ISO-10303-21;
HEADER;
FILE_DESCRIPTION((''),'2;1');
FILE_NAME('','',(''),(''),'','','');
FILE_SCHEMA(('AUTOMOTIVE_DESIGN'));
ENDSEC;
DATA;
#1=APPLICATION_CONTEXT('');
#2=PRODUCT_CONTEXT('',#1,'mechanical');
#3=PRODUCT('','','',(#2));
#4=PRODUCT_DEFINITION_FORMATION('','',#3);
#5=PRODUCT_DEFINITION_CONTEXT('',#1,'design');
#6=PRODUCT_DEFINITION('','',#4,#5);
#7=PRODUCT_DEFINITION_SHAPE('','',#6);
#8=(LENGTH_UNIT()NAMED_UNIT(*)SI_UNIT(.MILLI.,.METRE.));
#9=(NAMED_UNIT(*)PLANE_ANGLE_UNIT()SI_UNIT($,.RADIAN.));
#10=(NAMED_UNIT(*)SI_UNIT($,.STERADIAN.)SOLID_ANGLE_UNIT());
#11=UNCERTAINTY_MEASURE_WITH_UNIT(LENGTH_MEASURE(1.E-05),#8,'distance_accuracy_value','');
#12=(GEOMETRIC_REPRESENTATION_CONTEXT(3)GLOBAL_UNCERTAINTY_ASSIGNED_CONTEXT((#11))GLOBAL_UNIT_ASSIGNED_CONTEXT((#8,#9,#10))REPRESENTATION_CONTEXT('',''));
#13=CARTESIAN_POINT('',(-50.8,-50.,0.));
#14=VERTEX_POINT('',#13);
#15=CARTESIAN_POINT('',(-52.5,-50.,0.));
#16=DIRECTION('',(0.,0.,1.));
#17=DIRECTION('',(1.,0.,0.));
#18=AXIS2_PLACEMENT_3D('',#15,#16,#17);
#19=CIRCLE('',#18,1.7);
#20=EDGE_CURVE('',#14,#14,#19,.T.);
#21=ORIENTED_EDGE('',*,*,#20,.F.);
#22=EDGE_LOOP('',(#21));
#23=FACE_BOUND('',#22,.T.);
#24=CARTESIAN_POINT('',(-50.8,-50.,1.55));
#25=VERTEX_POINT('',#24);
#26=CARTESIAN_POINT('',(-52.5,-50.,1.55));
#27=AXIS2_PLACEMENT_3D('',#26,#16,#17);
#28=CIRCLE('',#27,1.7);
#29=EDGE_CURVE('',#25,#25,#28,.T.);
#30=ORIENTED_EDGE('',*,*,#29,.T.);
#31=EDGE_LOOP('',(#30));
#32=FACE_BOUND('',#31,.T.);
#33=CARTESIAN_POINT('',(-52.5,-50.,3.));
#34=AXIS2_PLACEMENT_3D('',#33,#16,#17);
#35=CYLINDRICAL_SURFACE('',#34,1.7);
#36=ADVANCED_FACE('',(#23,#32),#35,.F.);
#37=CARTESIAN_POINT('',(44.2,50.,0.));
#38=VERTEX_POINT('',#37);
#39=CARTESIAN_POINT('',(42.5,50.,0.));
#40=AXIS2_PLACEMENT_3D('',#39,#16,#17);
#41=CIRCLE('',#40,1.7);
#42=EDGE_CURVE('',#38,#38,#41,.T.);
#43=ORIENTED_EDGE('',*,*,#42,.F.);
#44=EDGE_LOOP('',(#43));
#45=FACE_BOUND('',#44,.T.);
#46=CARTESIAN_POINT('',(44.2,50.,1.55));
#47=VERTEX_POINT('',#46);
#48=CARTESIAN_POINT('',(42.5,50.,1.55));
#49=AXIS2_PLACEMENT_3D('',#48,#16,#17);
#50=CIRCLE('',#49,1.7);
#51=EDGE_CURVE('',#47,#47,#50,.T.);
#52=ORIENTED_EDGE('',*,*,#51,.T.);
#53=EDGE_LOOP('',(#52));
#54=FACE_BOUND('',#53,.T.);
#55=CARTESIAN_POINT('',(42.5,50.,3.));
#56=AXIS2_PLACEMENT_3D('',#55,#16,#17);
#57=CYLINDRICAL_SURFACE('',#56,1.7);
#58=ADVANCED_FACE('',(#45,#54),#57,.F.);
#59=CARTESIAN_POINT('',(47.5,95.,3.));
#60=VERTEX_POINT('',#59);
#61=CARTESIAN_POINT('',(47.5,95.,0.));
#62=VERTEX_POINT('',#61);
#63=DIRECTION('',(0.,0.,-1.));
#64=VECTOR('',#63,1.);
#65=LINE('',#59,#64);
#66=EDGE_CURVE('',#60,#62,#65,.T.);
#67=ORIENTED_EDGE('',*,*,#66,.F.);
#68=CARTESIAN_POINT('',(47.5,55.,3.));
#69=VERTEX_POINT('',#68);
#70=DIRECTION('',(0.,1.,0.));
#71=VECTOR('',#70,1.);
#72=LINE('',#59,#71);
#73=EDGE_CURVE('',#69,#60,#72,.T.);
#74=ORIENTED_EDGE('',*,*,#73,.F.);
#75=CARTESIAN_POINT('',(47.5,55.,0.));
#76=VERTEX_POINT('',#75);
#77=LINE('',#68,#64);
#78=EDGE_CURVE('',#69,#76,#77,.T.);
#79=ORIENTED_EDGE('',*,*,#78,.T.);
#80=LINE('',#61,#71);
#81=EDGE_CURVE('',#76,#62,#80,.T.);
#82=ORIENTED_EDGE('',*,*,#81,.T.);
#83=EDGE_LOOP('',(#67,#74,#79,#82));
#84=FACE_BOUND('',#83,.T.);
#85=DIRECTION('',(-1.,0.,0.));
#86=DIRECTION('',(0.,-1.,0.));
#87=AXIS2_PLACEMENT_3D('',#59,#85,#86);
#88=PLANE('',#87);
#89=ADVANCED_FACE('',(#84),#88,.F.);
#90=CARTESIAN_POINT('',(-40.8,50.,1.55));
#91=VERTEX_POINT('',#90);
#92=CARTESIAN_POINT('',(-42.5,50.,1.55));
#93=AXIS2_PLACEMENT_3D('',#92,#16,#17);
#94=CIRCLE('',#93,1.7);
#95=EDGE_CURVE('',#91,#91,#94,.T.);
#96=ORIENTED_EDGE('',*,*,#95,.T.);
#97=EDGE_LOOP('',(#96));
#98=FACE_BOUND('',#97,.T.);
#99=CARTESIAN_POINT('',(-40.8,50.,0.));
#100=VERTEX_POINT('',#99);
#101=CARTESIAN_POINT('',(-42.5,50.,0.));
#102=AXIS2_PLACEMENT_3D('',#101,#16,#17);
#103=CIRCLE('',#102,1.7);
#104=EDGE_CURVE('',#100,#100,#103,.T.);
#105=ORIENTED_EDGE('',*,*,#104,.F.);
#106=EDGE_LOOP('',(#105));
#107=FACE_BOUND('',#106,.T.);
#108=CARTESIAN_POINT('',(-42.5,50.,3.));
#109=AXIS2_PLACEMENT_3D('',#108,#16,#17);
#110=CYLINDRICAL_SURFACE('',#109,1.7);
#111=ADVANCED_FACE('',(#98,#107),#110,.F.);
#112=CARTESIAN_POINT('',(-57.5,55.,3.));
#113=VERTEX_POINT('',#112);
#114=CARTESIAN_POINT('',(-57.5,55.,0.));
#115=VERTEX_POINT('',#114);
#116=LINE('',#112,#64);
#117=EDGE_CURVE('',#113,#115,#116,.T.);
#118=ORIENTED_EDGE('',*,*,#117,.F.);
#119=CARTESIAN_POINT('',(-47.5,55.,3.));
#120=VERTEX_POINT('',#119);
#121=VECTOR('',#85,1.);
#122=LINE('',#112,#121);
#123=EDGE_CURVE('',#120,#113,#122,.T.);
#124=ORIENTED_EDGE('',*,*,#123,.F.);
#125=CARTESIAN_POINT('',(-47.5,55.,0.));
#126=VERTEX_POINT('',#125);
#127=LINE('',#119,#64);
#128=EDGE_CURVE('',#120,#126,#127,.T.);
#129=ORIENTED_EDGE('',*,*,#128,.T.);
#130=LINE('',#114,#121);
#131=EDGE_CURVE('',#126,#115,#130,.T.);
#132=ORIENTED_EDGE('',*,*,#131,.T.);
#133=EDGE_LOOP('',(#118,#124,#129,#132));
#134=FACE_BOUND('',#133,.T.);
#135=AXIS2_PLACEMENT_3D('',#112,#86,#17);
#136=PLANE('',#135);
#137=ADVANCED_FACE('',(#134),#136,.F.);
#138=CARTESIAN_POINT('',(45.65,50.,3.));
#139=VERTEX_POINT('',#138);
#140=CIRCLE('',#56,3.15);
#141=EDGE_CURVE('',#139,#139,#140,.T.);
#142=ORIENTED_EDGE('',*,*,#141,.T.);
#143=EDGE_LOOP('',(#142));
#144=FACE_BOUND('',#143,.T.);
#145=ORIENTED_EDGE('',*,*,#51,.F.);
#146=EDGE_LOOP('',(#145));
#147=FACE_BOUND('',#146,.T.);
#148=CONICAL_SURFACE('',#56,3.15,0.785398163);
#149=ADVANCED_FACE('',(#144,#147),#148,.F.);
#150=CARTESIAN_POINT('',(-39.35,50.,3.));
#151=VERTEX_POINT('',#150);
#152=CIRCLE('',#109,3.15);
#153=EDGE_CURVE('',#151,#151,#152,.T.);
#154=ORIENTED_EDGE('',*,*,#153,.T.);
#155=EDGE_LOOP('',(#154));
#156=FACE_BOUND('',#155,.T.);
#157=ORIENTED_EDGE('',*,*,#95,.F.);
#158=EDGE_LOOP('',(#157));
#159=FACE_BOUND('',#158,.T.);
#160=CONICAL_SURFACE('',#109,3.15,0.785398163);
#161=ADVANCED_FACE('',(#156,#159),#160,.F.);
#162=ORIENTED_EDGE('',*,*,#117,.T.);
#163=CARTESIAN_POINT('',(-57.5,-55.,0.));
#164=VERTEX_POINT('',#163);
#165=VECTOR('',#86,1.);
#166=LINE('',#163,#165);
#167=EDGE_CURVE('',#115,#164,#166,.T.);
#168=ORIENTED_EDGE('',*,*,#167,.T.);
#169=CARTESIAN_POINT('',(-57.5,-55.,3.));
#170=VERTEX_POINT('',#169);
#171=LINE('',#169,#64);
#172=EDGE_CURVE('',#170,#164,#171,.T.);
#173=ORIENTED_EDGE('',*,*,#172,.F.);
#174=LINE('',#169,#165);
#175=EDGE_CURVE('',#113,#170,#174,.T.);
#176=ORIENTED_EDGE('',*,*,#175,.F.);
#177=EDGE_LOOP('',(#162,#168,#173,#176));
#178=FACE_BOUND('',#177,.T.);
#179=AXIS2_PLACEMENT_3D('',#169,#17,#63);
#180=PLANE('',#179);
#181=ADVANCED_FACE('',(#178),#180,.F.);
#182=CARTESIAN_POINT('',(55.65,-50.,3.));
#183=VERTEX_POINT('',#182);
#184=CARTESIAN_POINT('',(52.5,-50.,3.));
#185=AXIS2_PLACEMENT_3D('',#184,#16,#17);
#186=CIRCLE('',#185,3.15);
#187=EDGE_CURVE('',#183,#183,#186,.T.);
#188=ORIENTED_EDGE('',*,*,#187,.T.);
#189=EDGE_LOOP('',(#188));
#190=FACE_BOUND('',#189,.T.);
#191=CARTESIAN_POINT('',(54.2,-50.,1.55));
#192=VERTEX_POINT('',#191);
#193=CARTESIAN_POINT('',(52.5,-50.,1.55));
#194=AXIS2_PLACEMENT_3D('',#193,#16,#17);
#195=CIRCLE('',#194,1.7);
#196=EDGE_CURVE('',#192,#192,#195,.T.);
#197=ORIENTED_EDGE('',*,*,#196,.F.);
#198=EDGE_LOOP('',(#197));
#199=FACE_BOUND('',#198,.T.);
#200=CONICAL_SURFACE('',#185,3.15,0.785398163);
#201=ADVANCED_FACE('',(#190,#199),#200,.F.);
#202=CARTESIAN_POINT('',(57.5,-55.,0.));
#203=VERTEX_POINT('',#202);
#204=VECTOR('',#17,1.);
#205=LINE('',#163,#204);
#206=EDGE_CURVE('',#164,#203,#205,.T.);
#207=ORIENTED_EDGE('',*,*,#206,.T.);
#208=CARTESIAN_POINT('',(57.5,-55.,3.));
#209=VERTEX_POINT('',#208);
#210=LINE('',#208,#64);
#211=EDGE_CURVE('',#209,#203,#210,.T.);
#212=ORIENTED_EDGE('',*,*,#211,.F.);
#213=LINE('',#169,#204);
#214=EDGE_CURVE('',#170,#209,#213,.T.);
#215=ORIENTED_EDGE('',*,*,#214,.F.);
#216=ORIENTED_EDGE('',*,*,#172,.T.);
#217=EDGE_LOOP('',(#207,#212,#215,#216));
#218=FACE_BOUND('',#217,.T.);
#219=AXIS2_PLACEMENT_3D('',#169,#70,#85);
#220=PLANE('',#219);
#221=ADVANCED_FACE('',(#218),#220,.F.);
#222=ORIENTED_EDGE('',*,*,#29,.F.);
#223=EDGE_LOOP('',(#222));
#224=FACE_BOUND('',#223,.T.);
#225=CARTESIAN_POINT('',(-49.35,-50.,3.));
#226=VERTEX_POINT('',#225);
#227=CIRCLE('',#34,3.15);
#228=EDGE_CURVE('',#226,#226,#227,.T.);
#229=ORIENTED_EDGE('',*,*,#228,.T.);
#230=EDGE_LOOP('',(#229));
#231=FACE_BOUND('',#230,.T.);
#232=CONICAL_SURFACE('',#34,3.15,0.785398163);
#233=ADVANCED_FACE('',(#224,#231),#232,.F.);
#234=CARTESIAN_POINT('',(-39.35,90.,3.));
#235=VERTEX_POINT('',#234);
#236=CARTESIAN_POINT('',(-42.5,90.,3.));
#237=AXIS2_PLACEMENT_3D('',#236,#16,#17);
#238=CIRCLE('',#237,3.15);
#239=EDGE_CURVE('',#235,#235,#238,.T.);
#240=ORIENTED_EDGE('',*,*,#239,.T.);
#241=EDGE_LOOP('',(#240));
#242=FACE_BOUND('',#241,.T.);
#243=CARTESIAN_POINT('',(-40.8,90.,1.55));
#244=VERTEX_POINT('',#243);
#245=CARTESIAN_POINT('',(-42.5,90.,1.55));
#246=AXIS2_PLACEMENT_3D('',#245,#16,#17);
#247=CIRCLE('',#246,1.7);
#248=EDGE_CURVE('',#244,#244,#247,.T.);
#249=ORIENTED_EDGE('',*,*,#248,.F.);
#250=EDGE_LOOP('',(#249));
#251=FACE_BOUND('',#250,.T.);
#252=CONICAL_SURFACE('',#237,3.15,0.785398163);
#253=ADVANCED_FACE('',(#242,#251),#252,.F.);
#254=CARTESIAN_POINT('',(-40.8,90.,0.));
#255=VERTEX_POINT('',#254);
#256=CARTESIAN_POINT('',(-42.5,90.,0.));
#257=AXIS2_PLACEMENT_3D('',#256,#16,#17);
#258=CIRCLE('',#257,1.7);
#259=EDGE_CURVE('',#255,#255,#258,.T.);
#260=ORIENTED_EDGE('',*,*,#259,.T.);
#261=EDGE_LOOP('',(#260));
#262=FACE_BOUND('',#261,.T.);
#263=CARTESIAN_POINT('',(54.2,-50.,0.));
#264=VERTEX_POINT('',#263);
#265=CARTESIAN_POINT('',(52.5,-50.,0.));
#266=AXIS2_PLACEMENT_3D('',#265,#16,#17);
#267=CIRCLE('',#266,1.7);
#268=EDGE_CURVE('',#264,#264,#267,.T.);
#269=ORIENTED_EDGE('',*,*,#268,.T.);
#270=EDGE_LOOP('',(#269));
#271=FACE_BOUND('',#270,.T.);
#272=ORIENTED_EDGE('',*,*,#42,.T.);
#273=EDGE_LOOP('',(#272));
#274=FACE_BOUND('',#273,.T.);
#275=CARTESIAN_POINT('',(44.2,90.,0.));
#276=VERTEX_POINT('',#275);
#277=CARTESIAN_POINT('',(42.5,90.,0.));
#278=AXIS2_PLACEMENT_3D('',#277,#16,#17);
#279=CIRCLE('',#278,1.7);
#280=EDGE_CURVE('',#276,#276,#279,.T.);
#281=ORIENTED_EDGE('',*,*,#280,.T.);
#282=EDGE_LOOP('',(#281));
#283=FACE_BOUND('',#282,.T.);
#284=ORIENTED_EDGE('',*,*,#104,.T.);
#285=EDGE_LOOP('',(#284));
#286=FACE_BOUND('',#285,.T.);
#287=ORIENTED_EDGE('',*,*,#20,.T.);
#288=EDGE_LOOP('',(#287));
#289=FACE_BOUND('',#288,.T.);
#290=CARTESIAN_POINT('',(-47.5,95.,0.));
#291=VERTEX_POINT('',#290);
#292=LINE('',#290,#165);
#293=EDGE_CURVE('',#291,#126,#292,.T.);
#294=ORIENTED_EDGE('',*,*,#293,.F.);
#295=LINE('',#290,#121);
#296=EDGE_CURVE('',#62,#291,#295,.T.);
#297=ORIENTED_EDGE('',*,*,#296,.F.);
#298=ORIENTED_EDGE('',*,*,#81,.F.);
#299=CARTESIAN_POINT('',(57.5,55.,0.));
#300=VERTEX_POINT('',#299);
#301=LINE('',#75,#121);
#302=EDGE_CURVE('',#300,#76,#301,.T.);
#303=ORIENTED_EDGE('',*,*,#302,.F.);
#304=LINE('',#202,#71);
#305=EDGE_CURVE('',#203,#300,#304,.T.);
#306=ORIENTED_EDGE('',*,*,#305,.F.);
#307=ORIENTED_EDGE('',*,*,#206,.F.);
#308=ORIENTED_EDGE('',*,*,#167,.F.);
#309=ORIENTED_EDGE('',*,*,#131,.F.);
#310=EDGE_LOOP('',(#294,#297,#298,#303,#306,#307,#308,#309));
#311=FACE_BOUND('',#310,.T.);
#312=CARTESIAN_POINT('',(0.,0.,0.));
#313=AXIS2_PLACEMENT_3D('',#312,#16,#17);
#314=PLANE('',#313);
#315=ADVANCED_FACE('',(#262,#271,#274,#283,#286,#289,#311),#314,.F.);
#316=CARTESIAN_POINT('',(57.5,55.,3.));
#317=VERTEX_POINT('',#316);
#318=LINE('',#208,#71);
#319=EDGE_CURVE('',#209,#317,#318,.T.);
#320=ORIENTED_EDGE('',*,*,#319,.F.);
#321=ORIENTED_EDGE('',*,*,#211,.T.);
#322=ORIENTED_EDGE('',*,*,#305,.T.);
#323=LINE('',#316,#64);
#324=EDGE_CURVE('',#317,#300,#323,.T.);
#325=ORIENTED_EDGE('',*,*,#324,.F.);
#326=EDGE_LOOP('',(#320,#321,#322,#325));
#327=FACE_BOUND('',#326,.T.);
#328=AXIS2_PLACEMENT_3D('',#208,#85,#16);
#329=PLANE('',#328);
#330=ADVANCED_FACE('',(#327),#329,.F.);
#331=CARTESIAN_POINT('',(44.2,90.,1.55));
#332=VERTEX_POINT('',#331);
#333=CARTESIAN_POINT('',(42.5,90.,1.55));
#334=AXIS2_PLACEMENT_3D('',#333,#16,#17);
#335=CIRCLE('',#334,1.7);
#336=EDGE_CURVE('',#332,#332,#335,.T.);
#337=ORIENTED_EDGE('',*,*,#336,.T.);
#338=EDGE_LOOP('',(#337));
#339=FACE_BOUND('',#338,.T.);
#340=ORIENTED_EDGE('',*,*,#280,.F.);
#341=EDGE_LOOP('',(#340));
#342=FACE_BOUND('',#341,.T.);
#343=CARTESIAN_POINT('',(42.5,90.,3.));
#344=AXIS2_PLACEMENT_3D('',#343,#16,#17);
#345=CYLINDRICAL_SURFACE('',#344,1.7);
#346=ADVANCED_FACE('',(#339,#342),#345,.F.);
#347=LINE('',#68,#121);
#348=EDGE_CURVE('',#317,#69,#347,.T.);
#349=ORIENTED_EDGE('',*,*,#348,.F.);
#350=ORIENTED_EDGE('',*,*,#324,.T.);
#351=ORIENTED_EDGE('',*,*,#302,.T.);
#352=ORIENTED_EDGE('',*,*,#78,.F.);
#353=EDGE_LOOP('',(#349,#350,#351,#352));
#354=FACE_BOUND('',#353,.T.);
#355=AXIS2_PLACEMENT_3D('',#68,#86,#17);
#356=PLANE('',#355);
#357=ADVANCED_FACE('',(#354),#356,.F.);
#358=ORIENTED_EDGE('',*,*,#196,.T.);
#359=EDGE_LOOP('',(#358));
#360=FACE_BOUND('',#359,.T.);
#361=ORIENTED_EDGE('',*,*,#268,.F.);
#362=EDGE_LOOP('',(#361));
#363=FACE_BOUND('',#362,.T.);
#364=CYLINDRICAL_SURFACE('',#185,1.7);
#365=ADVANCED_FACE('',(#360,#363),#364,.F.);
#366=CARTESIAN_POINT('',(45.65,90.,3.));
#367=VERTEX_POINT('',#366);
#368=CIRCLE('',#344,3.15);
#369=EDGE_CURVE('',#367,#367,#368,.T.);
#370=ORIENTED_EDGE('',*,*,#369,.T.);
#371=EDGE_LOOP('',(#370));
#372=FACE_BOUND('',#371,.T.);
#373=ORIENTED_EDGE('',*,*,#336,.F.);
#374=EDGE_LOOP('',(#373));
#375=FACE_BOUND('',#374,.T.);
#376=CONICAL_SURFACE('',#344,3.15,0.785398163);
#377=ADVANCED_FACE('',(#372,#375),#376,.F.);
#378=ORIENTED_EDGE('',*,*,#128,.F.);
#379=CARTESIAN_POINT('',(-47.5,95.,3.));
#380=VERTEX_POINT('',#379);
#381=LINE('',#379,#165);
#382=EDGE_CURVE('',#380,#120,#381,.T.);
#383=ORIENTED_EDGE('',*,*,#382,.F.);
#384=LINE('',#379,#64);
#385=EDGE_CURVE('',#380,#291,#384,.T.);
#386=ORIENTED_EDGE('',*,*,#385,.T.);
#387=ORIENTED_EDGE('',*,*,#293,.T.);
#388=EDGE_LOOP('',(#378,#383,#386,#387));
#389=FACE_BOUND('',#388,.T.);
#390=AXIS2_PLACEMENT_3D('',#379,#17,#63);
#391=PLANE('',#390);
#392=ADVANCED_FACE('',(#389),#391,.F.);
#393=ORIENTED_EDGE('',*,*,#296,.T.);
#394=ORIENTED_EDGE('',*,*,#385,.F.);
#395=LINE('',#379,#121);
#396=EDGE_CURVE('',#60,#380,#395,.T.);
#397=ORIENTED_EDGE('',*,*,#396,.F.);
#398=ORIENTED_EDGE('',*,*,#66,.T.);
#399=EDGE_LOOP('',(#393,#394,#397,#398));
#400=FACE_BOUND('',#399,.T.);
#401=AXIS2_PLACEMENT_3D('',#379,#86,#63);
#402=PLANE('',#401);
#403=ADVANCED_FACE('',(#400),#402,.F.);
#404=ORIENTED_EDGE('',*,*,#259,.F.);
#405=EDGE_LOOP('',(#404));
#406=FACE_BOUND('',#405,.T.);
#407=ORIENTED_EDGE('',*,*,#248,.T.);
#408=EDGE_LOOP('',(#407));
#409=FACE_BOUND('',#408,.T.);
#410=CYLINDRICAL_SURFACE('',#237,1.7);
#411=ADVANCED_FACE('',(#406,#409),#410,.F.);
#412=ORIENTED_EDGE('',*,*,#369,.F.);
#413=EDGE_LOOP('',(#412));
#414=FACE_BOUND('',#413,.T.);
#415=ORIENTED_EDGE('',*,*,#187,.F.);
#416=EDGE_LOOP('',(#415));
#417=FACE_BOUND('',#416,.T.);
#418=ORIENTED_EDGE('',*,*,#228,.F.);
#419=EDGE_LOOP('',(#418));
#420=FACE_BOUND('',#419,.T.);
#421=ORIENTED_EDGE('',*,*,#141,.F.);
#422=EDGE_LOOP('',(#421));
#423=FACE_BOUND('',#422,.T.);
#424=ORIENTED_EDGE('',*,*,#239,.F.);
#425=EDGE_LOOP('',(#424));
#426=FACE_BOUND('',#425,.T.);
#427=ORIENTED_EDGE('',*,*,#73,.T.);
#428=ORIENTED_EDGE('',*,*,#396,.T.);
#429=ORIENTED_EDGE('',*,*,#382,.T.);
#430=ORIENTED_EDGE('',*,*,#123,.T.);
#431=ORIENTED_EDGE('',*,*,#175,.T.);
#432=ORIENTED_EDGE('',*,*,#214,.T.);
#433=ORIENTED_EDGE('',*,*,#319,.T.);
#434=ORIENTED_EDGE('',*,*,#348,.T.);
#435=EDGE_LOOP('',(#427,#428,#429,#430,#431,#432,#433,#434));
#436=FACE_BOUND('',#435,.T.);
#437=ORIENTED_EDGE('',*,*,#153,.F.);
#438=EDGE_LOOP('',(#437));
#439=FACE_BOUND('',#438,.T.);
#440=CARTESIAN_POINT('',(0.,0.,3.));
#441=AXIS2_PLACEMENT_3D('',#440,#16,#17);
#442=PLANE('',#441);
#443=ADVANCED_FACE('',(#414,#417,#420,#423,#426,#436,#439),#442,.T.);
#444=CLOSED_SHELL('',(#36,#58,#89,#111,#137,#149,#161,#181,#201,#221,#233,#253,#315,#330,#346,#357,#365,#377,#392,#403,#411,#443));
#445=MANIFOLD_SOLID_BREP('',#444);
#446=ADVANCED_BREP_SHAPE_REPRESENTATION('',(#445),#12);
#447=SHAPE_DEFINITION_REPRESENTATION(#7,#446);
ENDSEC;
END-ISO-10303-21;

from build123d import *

# Parameters (mm, degrees)
EXTRUDE_1_DEPTH              = 3
HOLE_WIZARD_M3_1_D           = 3.4
HOLE_WIZARD_M3_1_DEPTH       = 15
HOLE_WIZARD_M3_1_CSINK_D     = 6.3
HOLE_WIZARD_M3_1_CSINK_ANGLE = 90
HOLE_WIZARD_M3_1_TIP         = 1.021463052


with BuildPart() as part:
    # 草圖1 → 填料-伸長1 (new body)
    with BuildSketch(Plane.XY):
        Polygon((-57.5, -55), (57.5, -55), (57.5, 55), (47.5, 55), (47.5, 95), (-47.5, 95), (-47.5, 55), (-57.5, 55), align=None)
    extrude(amount=EXTRUDE_1_DEPTH)

    # M3 錐坑平頭螺釘的錐孔1
    with Locations(Plane.XY.offset(3)):
        with Locations((-52.5, -50), (-42.5, 90), (-42.5, 50), (42.5, 90), (42.5, 50), (52.5, -50)):
            CounterSinkHole(HOLE_WIZARD_M3_1_D / 2, HOLE_WIZARD_M3_1_CSINK_D / 2, depth=HOLE_WIZARD_M3_1_DEPTH, counter_sink_angle=HOLE_WIZARD_M3_1_CSINK_ANGLE)
            with Locations((0, 0, -(HOLE_WIZARD_M3_1_DEPTH + HOLE_WIZARD_M3_1_TIP / 2))):  # 118° drill point
                Cone(0, HOLE_WIZARD_M3_1_D / 2, HOLE_WIZARD_M3_1_TIP, mode=Mode.SUBTRACT)


solid = part.part
